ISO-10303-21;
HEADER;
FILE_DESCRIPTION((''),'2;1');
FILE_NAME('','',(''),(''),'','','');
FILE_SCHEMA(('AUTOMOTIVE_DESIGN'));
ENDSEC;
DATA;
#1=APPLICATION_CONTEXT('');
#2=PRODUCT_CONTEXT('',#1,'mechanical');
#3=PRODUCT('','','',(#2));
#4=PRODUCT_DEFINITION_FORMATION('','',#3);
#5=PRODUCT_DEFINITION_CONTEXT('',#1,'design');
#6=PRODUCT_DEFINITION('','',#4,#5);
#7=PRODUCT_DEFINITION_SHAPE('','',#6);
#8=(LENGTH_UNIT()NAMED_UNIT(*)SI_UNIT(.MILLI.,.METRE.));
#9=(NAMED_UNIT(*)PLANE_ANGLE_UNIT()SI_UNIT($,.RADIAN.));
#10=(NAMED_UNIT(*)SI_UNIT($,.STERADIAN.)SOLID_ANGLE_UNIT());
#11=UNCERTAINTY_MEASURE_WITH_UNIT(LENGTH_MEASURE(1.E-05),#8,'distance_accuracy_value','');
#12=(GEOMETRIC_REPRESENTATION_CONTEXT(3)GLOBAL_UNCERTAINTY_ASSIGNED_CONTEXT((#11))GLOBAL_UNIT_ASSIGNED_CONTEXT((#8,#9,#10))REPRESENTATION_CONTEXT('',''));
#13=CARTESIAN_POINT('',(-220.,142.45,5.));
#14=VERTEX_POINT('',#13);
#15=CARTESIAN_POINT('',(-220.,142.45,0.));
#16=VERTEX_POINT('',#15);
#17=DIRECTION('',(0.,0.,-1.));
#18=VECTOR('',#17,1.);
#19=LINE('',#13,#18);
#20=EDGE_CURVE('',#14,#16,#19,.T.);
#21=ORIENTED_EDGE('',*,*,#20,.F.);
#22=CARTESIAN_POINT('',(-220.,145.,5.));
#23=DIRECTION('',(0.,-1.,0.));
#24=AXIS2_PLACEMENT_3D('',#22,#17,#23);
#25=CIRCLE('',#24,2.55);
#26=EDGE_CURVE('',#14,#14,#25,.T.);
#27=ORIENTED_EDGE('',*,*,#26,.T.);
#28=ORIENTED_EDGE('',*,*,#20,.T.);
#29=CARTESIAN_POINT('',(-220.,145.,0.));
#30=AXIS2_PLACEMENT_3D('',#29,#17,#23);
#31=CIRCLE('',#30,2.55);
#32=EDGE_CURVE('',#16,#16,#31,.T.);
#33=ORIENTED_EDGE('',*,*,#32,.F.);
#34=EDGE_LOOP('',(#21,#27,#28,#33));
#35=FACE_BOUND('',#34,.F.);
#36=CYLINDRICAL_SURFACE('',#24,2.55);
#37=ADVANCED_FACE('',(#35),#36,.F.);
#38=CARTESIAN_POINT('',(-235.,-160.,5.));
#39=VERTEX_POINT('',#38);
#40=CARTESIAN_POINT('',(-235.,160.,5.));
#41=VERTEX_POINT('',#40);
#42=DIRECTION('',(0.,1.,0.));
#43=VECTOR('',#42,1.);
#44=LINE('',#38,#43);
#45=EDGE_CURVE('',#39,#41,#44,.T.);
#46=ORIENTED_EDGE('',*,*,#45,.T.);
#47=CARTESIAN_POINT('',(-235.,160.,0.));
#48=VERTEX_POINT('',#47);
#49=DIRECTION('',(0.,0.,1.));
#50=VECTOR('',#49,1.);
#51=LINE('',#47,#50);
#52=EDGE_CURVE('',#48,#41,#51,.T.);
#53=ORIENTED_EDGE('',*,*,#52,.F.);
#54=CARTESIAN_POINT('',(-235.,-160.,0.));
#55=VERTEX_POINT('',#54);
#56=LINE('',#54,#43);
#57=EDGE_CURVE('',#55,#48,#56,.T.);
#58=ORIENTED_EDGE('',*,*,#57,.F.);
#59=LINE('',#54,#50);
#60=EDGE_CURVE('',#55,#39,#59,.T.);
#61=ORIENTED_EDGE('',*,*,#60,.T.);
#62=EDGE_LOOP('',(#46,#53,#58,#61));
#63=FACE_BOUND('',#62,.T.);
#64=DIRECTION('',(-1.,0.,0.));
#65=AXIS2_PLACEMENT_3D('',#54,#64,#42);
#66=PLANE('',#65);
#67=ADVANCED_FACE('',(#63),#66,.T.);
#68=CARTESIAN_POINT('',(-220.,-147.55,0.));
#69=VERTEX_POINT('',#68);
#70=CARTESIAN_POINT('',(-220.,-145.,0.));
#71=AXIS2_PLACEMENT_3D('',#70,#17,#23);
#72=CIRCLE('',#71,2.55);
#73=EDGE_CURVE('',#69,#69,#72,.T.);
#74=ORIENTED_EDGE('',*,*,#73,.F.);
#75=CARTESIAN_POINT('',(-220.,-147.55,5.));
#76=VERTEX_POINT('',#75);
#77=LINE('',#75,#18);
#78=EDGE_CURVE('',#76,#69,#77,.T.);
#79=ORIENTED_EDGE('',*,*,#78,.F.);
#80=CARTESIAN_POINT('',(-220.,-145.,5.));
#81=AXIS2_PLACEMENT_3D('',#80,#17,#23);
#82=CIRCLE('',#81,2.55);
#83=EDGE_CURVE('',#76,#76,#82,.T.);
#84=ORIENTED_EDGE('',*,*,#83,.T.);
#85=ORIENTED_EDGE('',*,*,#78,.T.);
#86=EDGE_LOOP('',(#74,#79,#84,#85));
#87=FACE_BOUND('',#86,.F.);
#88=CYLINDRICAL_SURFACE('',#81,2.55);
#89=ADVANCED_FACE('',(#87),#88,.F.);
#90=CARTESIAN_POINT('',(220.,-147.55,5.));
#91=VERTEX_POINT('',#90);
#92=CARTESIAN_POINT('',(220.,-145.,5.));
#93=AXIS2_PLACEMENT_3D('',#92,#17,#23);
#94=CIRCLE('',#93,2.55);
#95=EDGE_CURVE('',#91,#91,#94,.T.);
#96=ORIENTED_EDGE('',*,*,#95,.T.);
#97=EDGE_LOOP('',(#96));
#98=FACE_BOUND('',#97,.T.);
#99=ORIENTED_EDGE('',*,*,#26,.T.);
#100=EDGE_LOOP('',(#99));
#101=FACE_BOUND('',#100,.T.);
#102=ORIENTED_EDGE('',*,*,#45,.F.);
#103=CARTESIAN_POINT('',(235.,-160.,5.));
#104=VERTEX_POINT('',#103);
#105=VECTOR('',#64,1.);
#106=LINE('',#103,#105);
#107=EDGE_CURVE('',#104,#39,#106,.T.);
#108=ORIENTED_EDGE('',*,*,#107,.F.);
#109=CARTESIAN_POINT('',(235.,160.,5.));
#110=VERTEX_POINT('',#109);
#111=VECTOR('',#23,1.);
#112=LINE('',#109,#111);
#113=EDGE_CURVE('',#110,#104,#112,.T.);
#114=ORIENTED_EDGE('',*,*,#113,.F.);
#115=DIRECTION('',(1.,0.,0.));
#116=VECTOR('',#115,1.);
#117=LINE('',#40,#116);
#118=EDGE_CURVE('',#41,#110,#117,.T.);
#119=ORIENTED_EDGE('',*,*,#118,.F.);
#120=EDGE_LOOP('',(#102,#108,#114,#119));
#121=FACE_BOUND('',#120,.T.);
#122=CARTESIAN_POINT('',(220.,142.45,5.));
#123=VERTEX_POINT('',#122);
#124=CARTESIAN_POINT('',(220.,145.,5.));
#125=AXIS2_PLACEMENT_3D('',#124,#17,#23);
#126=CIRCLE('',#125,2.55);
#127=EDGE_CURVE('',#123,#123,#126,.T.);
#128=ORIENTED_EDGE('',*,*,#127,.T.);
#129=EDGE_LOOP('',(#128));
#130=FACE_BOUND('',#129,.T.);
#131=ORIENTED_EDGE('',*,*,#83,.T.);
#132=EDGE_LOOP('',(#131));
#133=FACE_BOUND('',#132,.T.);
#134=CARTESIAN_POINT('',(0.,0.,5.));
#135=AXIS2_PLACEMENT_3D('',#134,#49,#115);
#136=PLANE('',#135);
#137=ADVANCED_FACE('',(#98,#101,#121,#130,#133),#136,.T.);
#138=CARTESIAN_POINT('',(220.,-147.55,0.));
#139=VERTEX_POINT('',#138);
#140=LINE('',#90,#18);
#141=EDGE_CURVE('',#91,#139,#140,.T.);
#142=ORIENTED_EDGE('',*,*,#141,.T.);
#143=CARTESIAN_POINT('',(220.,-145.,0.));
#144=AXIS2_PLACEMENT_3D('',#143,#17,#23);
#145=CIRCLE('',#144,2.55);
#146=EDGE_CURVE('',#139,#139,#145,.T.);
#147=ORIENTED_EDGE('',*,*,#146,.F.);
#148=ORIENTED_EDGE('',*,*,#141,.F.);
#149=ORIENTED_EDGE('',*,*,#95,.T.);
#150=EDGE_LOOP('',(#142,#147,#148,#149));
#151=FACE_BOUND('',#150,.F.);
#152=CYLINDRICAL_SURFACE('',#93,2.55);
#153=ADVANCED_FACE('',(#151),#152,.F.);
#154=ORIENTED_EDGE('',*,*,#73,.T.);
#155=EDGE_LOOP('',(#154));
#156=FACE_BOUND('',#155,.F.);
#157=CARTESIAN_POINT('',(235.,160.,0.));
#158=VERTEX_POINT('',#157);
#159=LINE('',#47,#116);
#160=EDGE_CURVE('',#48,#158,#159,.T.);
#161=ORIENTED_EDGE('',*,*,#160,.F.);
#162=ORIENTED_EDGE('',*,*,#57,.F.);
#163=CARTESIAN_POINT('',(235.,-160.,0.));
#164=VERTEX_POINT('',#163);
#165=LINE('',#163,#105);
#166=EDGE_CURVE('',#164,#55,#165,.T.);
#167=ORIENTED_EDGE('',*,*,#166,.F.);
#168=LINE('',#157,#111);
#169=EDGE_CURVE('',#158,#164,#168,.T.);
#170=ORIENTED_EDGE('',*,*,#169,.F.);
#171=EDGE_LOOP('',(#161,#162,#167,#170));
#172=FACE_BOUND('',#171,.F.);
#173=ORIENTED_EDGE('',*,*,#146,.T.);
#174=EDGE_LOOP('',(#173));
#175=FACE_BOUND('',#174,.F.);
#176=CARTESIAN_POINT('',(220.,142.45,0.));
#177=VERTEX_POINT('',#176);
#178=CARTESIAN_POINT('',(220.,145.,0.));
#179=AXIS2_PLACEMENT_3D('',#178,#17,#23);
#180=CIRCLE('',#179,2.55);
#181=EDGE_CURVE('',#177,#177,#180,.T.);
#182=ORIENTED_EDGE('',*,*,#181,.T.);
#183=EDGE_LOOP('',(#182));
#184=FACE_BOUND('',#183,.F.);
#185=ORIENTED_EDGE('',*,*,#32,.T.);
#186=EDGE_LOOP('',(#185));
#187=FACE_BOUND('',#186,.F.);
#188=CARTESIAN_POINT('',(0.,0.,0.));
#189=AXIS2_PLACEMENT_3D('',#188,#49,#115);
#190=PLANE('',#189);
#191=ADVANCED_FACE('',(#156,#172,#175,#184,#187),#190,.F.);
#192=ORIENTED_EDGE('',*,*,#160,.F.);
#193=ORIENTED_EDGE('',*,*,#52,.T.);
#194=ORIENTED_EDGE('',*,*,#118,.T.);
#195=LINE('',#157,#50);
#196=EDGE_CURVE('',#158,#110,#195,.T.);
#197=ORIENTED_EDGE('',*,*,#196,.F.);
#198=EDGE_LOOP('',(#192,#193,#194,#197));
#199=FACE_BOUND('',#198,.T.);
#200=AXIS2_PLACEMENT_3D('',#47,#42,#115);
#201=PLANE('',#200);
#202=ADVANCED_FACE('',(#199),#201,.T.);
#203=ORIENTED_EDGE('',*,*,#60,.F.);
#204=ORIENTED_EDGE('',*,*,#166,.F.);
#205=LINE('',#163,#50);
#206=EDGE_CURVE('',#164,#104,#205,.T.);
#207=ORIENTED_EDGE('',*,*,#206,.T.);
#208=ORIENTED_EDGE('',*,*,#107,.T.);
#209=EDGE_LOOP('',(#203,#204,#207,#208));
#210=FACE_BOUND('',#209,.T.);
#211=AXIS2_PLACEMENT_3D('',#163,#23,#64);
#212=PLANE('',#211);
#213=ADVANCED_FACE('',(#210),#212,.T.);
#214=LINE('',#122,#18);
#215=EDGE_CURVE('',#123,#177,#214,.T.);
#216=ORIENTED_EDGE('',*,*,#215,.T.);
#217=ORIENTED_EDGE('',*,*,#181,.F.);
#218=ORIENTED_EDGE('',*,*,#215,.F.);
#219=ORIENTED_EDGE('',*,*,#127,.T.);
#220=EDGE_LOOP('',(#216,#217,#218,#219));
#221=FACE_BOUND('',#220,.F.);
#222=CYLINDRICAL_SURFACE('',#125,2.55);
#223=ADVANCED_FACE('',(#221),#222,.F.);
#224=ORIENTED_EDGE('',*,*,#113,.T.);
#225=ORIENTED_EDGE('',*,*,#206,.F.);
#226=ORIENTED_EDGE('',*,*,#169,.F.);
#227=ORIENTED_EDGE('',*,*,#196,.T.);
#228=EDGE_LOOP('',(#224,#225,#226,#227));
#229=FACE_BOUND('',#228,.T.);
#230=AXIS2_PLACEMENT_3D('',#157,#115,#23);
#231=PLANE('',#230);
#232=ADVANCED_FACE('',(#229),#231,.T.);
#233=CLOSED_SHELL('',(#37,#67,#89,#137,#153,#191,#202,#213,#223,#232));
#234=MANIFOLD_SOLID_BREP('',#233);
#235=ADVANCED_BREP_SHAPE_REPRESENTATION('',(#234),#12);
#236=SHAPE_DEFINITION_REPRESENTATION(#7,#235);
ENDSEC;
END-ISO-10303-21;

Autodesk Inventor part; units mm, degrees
ref_plane "YZ Plane" through (0, 0, 0) normal (1, 0, 0) x (0, 1, 0)
ref_plane "XZ Plane" through (0, 0, 0) normal (0, 1, 0) x (-1, 0, 0)
ref_plane "XY Plane" through (0, 0, 0) normal (0, 0, 1) x (1, 0, 0)
sketch "Sketch1" plane through (0, 0, 0) normal (0, 0, 1) x (1, 0, 0)
  line L0 (-235, 160) -> (235, 160)
  line L1 (235, 160) -> (235, -160)
  line L2 (235, -160) -> (-235, -160)
  line L3 (-235, -160) -> (-235, 160)
  point P0 (0, 0)
  dimension "d0" = 470
  dimension "d1" = 320
  dimension "d6" = 235
  dimension "d7" = 160
extrude "Extrusion1" add sketch "Sketch1" along normal blind 5
sketch "Sketch2" plane through (0, 0, 5) normal (0, 0, 1) x (1, 0, 0)
  line L0 (235, -160) -> (235, 160) projected
  line L1 (-235, -160) -> (235, -160) projected
  line L2 (-235, 160) -> (-235, -160) construction
  line L3 (-235, 0) -> (235, 0) construction
  line L4 (0, -160) -> (0, 160) construction
  line L5 (235, 160) -> (-235, 160) construction
  point P0 (0, 0)
  point P1 (-220, 145)
  point P2 (-220, -145)
  point P3 (220, -145)
  point P4 (220, 145)
  dimension "d4" = 15
  dimension "d5" = 15
hole "Hole1" at (-220, 145, 5) at (-220, -145, 5) at (220, -145, 5) at (220, 145, 5) direction (0, 0, -1) diameter 5.1 end through all
sketch "Sketch3" plane through (0, 0, 5) normal (0, 0, 1) x (1, 0, 0)
  point P0 (0, 0)
equation "\"d6\" = 0.5 * d0"
equation "\"d7\" = 0.5 * d1"
properties part number "PortaPiezas" material "MDF Medium Density Fiberboard"
